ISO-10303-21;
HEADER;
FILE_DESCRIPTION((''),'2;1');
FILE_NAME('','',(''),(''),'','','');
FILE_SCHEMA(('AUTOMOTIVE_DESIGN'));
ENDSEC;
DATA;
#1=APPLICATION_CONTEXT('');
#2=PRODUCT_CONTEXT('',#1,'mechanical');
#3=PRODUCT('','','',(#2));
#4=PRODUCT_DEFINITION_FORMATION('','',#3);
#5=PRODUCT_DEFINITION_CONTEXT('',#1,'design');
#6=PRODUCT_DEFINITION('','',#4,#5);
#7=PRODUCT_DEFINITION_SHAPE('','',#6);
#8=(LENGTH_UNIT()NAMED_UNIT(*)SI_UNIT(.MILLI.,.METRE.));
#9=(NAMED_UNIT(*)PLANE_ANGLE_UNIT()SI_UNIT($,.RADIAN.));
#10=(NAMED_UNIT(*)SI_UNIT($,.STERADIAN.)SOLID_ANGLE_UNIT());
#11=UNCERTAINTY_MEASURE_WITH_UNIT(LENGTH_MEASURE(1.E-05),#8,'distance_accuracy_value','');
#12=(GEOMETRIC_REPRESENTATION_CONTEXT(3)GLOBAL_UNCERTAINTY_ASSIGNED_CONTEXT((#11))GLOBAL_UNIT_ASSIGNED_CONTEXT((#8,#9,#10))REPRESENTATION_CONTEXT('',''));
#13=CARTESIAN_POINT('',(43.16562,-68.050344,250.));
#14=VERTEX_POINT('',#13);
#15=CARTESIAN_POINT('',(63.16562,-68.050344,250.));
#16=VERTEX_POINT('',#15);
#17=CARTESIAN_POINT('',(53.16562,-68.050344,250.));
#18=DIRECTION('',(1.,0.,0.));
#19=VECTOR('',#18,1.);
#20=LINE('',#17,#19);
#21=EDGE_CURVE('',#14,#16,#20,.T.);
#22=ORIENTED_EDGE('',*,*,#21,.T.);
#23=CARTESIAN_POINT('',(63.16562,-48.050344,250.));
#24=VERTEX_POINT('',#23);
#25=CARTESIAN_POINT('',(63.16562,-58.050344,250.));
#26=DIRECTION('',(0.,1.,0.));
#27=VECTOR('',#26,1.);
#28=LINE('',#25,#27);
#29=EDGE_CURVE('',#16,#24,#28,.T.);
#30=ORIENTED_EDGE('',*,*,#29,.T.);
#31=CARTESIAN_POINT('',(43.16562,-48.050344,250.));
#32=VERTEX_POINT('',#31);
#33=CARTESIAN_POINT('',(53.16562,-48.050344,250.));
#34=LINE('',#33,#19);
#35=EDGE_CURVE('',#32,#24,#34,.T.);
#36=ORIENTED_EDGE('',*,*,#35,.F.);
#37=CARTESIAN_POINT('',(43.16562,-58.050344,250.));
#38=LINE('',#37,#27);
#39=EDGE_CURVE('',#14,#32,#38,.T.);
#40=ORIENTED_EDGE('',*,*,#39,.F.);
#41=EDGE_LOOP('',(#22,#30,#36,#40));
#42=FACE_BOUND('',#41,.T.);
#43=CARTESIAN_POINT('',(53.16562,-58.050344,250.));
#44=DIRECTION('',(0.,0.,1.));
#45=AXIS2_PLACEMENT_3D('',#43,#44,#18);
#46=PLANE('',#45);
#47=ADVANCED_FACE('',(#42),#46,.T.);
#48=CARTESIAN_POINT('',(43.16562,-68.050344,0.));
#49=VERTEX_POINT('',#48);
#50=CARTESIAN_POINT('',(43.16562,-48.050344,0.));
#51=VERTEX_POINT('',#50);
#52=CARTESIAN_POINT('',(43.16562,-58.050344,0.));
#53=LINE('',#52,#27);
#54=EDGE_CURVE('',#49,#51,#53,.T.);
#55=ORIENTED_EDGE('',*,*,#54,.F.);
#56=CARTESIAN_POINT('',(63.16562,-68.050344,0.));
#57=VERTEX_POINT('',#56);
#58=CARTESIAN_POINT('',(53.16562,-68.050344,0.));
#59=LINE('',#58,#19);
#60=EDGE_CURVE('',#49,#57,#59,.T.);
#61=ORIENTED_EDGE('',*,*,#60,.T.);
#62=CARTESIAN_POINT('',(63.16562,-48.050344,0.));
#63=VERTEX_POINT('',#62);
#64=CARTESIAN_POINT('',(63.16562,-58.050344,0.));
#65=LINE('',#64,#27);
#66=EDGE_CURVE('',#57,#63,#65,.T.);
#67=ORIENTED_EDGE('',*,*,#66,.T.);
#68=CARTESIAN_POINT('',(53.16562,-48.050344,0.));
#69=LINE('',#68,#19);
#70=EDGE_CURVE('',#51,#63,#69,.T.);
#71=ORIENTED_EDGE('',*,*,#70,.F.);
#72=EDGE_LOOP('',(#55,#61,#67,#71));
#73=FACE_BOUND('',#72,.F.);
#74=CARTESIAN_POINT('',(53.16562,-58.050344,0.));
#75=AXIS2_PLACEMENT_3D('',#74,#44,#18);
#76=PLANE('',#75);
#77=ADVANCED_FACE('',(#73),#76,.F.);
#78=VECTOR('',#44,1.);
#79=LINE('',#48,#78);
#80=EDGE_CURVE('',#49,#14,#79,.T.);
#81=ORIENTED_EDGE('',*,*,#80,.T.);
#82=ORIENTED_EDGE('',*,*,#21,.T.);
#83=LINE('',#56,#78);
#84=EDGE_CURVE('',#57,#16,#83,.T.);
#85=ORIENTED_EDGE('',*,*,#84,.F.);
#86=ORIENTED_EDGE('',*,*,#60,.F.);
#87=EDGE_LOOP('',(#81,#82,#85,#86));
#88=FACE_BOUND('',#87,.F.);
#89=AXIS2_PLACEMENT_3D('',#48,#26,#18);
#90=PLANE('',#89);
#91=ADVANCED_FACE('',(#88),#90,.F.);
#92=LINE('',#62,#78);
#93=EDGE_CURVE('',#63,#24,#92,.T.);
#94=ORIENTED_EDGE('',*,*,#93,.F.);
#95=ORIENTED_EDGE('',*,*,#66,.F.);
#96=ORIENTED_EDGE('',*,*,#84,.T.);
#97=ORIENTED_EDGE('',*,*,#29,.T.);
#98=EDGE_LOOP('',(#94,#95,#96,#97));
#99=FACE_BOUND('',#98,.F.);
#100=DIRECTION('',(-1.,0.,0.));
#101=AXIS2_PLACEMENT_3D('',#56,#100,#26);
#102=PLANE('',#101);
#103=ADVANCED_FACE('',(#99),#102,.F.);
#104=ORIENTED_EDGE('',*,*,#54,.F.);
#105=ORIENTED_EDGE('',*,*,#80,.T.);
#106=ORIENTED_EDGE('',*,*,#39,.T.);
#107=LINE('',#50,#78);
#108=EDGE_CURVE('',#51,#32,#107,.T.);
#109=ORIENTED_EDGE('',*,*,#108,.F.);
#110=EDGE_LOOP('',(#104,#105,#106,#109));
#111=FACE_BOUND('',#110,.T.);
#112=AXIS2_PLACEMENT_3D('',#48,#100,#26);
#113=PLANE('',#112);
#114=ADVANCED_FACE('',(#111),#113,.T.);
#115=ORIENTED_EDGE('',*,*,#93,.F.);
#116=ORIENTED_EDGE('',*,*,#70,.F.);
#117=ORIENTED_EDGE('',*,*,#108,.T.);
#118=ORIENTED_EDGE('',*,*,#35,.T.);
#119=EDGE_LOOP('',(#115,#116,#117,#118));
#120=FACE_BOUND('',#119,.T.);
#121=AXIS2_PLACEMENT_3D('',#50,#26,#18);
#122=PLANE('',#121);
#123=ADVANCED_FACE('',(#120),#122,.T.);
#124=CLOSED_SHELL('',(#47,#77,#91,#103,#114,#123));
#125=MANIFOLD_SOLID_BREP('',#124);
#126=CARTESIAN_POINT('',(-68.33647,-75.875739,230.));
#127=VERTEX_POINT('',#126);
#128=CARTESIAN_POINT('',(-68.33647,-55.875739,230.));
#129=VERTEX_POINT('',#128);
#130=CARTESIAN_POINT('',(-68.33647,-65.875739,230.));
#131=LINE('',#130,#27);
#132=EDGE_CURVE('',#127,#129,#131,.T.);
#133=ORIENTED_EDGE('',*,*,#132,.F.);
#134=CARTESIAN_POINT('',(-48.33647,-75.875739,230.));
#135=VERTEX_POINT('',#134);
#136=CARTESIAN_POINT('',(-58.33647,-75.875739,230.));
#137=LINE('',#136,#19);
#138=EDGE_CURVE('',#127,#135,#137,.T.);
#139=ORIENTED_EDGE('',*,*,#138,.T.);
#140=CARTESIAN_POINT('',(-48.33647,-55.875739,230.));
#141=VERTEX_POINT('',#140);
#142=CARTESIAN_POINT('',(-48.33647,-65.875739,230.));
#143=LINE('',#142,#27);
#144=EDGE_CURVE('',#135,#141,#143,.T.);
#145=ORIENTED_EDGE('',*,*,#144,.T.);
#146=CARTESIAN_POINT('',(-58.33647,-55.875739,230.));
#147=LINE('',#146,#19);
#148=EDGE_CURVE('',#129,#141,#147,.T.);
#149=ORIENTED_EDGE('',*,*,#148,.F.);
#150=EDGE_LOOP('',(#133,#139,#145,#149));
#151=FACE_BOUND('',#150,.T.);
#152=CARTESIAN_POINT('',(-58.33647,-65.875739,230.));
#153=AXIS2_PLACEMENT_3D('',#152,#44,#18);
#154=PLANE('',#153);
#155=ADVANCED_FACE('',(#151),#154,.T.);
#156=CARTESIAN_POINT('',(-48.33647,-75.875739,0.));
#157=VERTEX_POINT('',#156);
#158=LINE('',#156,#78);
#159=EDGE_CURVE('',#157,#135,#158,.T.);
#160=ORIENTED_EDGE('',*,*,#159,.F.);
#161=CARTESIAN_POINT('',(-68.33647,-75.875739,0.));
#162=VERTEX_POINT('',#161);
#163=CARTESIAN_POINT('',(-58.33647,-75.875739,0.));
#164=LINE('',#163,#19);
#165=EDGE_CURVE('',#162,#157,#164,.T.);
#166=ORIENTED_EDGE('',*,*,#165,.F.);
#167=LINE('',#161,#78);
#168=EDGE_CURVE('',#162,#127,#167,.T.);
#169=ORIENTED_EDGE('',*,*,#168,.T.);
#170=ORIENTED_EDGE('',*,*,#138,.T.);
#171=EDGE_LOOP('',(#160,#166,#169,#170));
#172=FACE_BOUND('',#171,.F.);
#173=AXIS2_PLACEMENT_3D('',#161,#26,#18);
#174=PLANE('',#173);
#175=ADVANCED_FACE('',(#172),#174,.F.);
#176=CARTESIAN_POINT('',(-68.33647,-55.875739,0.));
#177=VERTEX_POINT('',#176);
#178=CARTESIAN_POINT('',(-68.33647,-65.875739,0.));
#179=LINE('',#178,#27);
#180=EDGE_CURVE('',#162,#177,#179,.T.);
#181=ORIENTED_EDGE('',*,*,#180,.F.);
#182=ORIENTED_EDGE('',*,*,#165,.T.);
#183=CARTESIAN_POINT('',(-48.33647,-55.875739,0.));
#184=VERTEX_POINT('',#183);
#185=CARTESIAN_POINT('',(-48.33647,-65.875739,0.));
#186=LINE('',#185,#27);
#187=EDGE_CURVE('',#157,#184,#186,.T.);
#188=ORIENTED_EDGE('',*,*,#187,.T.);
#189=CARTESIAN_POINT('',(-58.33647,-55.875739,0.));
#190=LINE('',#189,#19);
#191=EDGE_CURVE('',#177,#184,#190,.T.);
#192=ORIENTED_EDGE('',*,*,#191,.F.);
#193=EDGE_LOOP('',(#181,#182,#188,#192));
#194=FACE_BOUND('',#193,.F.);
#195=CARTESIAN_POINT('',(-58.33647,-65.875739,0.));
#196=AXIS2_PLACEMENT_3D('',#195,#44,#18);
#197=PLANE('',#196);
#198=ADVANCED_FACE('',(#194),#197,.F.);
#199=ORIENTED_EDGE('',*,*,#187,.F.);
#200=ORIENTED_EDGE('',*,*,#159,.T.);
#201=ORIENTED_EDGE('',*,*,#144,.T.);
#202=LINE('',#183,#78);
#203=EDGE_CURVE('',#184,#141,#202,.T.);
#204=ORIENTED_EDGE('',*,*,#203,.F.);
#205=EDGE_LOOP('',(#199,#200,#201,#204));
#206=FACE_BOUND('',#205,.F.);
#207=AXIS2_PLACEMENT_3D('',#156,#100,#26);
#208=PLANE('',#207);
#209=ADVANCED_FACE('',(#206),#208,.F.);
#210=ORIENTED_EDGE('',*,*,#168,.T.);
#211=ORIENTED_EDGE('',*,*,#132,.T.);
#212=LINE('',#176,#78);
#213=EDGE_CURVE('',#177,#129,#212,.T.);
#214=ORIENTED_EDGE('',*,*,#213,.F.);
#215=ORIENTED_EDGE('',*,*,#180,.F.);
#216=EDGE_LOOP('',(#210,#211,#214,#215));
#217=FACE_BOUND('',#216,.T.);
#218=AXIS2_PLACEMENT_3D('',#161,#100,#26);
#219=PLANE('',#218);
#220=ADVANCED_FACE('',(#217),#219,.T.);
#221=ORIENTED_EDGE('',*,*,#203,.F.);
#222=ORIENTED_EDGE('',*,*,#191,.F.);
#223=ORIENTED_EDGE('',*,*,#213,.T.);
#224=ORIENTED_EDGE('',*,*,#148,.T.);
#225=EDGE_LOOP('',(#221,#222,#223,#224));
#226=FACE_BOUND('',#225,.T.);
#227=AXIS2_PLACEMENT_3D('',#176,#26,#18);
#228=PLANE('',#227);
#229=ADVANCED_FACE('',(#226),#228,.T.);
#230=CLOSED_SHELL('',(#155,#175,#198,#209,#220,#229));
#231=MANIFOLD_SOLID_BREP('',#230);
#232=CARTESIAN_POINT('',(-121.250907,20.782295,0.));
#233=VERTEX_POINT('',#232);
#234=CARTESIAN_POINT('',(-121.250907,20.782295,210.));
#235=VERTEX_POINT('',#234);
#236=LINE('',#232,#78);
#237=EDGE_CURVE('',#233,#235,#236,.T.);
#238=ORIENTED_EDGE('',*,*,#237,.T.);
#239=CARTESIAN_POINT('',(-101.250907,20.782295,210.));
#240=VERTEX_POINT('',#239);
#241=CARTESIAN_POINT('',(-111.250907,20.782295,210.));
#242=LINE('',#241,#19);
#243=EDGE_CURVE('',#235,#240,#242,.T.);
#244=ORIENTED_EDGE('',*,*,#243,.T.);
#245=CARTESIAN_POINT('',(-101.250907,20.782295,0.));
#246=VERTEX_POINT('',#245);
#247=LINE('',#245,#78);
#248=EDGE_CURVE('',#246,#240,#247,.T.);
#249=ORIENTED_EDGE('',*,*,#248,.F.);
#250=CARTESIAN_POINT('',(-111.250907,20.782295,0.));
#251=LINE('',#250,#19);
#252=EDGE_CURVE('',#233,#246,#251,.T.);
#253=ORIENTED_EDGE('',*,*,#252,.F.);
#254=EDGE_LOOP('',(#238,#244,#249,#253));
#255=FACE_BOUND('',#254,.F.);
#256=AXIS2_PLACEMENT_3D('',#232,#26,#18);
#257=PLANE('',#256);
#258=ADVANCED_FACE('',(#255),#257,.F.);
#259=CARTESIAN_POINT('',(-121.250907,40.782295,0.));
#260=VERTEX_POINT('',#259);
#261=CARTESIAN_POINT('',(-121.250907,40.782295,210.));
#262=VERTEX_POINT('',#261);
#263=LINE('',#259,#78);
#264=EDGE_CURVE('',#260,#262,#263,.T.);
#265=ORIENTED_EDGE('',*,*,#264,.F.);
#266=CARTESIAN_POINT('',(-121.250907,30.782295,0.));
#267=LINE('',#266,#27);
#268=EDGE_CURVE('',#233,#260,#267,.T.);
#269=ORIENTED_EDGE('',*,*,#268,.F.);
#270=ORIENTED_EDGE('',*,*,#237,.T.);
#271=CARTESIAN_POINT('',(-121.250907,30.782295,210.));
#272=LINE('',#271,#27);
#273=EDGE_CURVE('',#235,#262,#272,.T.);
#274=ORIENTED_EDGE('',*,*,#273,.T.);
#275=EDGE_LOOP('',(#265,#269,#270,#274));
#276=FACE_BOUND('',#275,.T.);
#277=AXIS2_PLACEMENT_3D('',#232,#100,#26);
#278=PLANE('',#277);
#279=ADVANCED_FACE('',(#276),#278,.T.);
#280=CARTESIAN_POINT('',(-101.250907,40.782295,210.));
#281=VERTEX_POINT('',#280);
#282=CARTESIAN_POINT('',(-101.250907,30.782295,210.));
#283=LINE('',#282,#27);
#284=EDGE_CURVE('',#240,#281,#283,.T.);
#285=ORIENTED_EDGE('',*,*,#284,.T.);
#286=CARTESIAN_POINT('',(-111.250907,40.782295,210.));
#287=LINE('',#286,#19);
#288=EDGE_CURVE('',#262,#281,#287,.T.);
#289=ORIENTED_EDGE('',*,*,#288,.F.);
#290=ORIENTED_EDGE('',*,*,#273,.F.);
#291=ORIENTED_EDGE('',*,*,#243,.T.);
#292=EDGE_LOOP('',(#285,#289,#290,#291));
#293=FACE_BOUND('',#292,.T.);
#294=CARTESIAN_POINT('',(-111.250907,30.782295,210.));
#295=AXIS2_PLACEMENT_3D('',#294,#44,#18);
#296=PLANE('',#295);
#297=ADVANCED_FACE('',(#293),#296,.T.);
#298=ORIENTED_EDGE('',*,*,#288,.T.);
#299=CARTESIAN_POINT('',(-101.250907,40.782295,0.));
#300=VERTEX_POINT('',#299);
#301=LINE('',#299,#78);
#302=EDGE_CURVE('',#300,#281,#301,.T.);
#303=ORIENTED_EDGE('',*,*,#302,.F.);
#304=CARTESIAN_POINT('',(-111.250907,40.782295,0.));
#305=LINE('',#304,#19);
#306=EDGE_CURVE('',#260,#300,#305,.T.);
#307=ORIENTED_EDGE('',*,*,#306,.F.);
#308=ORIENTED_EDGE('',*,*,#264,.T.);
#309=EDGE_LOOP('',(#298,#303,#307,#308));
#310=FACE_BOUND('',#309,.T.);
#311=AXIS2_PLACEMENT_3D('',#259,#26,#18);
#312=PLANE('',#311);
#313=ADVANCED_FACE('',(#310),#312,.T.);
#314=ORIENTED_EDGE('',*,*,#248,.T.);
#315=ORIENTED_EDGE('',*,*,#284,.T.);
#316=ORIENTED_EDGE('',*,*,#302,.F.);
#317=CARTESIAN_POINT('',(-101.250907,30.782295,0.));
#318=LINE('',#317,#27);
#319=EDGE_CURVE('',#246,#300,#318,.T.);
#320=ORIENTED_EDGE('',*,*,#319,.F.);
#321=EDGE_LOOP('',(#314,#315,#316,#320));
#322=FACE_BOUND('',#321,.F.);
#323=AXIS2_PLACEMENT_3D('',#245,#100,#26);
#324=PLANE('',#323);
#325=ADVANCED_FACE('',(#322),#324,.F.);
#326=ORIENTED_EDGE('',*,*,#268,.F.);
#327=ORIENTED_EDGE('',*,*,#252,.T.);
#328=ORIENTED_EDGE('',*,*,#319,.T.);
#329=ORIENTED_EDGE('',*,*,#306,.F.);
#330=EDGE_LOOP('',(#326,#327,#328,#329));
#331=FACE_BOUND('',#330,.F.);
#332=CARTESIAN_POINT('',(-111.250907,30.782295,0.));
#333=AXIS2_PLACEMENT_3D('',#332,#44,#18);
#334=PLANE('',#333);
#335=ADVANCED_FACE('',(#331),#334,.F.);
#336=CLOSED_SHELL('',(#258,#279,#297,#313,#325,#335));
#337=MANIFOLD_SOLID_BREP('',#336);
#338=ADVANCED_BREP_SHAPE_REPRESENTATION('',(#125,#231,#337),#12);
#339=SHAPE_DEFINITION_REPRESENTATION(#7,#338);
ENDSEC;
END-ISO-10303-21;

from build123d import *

# Parameters (mm, degrees)
F0_W     = 20
F0_H     = 20
F1_DEPTH = 250
F2_DEPTH = 230
F3_DEPTH = 210


with BuildPart() as f1:
    # F0 (on Top) → F1 (new body)
    with BuildSketch(Plane.XY):
        with Locations((53.16562, -58.050344)):
            Rectangle(F0_W, F0_H)
    extrude(amount=F1_DEPTH)


with BuildPart() as f2:
    # F0 (on Top) → F2 (new body)
    with BuildSketch(Plane.XY):
        with Locations((-58.33647, -65.875739)):
            Rectangle(F0_W, F0_H)
    extrude(amount=F2_DEPTH)


with BuildPart() as f3:
    # F0 (on Top) → F3 (new body)
    with BuildSketch(Plane.XY):
        with Locations((-111.250907, 30.782295)):
            Rectangle(F0_W, F0_H)
    extrude(amount=F3_DEPTH)


solid = Compound([f1.part, f2.part, f3.part])
